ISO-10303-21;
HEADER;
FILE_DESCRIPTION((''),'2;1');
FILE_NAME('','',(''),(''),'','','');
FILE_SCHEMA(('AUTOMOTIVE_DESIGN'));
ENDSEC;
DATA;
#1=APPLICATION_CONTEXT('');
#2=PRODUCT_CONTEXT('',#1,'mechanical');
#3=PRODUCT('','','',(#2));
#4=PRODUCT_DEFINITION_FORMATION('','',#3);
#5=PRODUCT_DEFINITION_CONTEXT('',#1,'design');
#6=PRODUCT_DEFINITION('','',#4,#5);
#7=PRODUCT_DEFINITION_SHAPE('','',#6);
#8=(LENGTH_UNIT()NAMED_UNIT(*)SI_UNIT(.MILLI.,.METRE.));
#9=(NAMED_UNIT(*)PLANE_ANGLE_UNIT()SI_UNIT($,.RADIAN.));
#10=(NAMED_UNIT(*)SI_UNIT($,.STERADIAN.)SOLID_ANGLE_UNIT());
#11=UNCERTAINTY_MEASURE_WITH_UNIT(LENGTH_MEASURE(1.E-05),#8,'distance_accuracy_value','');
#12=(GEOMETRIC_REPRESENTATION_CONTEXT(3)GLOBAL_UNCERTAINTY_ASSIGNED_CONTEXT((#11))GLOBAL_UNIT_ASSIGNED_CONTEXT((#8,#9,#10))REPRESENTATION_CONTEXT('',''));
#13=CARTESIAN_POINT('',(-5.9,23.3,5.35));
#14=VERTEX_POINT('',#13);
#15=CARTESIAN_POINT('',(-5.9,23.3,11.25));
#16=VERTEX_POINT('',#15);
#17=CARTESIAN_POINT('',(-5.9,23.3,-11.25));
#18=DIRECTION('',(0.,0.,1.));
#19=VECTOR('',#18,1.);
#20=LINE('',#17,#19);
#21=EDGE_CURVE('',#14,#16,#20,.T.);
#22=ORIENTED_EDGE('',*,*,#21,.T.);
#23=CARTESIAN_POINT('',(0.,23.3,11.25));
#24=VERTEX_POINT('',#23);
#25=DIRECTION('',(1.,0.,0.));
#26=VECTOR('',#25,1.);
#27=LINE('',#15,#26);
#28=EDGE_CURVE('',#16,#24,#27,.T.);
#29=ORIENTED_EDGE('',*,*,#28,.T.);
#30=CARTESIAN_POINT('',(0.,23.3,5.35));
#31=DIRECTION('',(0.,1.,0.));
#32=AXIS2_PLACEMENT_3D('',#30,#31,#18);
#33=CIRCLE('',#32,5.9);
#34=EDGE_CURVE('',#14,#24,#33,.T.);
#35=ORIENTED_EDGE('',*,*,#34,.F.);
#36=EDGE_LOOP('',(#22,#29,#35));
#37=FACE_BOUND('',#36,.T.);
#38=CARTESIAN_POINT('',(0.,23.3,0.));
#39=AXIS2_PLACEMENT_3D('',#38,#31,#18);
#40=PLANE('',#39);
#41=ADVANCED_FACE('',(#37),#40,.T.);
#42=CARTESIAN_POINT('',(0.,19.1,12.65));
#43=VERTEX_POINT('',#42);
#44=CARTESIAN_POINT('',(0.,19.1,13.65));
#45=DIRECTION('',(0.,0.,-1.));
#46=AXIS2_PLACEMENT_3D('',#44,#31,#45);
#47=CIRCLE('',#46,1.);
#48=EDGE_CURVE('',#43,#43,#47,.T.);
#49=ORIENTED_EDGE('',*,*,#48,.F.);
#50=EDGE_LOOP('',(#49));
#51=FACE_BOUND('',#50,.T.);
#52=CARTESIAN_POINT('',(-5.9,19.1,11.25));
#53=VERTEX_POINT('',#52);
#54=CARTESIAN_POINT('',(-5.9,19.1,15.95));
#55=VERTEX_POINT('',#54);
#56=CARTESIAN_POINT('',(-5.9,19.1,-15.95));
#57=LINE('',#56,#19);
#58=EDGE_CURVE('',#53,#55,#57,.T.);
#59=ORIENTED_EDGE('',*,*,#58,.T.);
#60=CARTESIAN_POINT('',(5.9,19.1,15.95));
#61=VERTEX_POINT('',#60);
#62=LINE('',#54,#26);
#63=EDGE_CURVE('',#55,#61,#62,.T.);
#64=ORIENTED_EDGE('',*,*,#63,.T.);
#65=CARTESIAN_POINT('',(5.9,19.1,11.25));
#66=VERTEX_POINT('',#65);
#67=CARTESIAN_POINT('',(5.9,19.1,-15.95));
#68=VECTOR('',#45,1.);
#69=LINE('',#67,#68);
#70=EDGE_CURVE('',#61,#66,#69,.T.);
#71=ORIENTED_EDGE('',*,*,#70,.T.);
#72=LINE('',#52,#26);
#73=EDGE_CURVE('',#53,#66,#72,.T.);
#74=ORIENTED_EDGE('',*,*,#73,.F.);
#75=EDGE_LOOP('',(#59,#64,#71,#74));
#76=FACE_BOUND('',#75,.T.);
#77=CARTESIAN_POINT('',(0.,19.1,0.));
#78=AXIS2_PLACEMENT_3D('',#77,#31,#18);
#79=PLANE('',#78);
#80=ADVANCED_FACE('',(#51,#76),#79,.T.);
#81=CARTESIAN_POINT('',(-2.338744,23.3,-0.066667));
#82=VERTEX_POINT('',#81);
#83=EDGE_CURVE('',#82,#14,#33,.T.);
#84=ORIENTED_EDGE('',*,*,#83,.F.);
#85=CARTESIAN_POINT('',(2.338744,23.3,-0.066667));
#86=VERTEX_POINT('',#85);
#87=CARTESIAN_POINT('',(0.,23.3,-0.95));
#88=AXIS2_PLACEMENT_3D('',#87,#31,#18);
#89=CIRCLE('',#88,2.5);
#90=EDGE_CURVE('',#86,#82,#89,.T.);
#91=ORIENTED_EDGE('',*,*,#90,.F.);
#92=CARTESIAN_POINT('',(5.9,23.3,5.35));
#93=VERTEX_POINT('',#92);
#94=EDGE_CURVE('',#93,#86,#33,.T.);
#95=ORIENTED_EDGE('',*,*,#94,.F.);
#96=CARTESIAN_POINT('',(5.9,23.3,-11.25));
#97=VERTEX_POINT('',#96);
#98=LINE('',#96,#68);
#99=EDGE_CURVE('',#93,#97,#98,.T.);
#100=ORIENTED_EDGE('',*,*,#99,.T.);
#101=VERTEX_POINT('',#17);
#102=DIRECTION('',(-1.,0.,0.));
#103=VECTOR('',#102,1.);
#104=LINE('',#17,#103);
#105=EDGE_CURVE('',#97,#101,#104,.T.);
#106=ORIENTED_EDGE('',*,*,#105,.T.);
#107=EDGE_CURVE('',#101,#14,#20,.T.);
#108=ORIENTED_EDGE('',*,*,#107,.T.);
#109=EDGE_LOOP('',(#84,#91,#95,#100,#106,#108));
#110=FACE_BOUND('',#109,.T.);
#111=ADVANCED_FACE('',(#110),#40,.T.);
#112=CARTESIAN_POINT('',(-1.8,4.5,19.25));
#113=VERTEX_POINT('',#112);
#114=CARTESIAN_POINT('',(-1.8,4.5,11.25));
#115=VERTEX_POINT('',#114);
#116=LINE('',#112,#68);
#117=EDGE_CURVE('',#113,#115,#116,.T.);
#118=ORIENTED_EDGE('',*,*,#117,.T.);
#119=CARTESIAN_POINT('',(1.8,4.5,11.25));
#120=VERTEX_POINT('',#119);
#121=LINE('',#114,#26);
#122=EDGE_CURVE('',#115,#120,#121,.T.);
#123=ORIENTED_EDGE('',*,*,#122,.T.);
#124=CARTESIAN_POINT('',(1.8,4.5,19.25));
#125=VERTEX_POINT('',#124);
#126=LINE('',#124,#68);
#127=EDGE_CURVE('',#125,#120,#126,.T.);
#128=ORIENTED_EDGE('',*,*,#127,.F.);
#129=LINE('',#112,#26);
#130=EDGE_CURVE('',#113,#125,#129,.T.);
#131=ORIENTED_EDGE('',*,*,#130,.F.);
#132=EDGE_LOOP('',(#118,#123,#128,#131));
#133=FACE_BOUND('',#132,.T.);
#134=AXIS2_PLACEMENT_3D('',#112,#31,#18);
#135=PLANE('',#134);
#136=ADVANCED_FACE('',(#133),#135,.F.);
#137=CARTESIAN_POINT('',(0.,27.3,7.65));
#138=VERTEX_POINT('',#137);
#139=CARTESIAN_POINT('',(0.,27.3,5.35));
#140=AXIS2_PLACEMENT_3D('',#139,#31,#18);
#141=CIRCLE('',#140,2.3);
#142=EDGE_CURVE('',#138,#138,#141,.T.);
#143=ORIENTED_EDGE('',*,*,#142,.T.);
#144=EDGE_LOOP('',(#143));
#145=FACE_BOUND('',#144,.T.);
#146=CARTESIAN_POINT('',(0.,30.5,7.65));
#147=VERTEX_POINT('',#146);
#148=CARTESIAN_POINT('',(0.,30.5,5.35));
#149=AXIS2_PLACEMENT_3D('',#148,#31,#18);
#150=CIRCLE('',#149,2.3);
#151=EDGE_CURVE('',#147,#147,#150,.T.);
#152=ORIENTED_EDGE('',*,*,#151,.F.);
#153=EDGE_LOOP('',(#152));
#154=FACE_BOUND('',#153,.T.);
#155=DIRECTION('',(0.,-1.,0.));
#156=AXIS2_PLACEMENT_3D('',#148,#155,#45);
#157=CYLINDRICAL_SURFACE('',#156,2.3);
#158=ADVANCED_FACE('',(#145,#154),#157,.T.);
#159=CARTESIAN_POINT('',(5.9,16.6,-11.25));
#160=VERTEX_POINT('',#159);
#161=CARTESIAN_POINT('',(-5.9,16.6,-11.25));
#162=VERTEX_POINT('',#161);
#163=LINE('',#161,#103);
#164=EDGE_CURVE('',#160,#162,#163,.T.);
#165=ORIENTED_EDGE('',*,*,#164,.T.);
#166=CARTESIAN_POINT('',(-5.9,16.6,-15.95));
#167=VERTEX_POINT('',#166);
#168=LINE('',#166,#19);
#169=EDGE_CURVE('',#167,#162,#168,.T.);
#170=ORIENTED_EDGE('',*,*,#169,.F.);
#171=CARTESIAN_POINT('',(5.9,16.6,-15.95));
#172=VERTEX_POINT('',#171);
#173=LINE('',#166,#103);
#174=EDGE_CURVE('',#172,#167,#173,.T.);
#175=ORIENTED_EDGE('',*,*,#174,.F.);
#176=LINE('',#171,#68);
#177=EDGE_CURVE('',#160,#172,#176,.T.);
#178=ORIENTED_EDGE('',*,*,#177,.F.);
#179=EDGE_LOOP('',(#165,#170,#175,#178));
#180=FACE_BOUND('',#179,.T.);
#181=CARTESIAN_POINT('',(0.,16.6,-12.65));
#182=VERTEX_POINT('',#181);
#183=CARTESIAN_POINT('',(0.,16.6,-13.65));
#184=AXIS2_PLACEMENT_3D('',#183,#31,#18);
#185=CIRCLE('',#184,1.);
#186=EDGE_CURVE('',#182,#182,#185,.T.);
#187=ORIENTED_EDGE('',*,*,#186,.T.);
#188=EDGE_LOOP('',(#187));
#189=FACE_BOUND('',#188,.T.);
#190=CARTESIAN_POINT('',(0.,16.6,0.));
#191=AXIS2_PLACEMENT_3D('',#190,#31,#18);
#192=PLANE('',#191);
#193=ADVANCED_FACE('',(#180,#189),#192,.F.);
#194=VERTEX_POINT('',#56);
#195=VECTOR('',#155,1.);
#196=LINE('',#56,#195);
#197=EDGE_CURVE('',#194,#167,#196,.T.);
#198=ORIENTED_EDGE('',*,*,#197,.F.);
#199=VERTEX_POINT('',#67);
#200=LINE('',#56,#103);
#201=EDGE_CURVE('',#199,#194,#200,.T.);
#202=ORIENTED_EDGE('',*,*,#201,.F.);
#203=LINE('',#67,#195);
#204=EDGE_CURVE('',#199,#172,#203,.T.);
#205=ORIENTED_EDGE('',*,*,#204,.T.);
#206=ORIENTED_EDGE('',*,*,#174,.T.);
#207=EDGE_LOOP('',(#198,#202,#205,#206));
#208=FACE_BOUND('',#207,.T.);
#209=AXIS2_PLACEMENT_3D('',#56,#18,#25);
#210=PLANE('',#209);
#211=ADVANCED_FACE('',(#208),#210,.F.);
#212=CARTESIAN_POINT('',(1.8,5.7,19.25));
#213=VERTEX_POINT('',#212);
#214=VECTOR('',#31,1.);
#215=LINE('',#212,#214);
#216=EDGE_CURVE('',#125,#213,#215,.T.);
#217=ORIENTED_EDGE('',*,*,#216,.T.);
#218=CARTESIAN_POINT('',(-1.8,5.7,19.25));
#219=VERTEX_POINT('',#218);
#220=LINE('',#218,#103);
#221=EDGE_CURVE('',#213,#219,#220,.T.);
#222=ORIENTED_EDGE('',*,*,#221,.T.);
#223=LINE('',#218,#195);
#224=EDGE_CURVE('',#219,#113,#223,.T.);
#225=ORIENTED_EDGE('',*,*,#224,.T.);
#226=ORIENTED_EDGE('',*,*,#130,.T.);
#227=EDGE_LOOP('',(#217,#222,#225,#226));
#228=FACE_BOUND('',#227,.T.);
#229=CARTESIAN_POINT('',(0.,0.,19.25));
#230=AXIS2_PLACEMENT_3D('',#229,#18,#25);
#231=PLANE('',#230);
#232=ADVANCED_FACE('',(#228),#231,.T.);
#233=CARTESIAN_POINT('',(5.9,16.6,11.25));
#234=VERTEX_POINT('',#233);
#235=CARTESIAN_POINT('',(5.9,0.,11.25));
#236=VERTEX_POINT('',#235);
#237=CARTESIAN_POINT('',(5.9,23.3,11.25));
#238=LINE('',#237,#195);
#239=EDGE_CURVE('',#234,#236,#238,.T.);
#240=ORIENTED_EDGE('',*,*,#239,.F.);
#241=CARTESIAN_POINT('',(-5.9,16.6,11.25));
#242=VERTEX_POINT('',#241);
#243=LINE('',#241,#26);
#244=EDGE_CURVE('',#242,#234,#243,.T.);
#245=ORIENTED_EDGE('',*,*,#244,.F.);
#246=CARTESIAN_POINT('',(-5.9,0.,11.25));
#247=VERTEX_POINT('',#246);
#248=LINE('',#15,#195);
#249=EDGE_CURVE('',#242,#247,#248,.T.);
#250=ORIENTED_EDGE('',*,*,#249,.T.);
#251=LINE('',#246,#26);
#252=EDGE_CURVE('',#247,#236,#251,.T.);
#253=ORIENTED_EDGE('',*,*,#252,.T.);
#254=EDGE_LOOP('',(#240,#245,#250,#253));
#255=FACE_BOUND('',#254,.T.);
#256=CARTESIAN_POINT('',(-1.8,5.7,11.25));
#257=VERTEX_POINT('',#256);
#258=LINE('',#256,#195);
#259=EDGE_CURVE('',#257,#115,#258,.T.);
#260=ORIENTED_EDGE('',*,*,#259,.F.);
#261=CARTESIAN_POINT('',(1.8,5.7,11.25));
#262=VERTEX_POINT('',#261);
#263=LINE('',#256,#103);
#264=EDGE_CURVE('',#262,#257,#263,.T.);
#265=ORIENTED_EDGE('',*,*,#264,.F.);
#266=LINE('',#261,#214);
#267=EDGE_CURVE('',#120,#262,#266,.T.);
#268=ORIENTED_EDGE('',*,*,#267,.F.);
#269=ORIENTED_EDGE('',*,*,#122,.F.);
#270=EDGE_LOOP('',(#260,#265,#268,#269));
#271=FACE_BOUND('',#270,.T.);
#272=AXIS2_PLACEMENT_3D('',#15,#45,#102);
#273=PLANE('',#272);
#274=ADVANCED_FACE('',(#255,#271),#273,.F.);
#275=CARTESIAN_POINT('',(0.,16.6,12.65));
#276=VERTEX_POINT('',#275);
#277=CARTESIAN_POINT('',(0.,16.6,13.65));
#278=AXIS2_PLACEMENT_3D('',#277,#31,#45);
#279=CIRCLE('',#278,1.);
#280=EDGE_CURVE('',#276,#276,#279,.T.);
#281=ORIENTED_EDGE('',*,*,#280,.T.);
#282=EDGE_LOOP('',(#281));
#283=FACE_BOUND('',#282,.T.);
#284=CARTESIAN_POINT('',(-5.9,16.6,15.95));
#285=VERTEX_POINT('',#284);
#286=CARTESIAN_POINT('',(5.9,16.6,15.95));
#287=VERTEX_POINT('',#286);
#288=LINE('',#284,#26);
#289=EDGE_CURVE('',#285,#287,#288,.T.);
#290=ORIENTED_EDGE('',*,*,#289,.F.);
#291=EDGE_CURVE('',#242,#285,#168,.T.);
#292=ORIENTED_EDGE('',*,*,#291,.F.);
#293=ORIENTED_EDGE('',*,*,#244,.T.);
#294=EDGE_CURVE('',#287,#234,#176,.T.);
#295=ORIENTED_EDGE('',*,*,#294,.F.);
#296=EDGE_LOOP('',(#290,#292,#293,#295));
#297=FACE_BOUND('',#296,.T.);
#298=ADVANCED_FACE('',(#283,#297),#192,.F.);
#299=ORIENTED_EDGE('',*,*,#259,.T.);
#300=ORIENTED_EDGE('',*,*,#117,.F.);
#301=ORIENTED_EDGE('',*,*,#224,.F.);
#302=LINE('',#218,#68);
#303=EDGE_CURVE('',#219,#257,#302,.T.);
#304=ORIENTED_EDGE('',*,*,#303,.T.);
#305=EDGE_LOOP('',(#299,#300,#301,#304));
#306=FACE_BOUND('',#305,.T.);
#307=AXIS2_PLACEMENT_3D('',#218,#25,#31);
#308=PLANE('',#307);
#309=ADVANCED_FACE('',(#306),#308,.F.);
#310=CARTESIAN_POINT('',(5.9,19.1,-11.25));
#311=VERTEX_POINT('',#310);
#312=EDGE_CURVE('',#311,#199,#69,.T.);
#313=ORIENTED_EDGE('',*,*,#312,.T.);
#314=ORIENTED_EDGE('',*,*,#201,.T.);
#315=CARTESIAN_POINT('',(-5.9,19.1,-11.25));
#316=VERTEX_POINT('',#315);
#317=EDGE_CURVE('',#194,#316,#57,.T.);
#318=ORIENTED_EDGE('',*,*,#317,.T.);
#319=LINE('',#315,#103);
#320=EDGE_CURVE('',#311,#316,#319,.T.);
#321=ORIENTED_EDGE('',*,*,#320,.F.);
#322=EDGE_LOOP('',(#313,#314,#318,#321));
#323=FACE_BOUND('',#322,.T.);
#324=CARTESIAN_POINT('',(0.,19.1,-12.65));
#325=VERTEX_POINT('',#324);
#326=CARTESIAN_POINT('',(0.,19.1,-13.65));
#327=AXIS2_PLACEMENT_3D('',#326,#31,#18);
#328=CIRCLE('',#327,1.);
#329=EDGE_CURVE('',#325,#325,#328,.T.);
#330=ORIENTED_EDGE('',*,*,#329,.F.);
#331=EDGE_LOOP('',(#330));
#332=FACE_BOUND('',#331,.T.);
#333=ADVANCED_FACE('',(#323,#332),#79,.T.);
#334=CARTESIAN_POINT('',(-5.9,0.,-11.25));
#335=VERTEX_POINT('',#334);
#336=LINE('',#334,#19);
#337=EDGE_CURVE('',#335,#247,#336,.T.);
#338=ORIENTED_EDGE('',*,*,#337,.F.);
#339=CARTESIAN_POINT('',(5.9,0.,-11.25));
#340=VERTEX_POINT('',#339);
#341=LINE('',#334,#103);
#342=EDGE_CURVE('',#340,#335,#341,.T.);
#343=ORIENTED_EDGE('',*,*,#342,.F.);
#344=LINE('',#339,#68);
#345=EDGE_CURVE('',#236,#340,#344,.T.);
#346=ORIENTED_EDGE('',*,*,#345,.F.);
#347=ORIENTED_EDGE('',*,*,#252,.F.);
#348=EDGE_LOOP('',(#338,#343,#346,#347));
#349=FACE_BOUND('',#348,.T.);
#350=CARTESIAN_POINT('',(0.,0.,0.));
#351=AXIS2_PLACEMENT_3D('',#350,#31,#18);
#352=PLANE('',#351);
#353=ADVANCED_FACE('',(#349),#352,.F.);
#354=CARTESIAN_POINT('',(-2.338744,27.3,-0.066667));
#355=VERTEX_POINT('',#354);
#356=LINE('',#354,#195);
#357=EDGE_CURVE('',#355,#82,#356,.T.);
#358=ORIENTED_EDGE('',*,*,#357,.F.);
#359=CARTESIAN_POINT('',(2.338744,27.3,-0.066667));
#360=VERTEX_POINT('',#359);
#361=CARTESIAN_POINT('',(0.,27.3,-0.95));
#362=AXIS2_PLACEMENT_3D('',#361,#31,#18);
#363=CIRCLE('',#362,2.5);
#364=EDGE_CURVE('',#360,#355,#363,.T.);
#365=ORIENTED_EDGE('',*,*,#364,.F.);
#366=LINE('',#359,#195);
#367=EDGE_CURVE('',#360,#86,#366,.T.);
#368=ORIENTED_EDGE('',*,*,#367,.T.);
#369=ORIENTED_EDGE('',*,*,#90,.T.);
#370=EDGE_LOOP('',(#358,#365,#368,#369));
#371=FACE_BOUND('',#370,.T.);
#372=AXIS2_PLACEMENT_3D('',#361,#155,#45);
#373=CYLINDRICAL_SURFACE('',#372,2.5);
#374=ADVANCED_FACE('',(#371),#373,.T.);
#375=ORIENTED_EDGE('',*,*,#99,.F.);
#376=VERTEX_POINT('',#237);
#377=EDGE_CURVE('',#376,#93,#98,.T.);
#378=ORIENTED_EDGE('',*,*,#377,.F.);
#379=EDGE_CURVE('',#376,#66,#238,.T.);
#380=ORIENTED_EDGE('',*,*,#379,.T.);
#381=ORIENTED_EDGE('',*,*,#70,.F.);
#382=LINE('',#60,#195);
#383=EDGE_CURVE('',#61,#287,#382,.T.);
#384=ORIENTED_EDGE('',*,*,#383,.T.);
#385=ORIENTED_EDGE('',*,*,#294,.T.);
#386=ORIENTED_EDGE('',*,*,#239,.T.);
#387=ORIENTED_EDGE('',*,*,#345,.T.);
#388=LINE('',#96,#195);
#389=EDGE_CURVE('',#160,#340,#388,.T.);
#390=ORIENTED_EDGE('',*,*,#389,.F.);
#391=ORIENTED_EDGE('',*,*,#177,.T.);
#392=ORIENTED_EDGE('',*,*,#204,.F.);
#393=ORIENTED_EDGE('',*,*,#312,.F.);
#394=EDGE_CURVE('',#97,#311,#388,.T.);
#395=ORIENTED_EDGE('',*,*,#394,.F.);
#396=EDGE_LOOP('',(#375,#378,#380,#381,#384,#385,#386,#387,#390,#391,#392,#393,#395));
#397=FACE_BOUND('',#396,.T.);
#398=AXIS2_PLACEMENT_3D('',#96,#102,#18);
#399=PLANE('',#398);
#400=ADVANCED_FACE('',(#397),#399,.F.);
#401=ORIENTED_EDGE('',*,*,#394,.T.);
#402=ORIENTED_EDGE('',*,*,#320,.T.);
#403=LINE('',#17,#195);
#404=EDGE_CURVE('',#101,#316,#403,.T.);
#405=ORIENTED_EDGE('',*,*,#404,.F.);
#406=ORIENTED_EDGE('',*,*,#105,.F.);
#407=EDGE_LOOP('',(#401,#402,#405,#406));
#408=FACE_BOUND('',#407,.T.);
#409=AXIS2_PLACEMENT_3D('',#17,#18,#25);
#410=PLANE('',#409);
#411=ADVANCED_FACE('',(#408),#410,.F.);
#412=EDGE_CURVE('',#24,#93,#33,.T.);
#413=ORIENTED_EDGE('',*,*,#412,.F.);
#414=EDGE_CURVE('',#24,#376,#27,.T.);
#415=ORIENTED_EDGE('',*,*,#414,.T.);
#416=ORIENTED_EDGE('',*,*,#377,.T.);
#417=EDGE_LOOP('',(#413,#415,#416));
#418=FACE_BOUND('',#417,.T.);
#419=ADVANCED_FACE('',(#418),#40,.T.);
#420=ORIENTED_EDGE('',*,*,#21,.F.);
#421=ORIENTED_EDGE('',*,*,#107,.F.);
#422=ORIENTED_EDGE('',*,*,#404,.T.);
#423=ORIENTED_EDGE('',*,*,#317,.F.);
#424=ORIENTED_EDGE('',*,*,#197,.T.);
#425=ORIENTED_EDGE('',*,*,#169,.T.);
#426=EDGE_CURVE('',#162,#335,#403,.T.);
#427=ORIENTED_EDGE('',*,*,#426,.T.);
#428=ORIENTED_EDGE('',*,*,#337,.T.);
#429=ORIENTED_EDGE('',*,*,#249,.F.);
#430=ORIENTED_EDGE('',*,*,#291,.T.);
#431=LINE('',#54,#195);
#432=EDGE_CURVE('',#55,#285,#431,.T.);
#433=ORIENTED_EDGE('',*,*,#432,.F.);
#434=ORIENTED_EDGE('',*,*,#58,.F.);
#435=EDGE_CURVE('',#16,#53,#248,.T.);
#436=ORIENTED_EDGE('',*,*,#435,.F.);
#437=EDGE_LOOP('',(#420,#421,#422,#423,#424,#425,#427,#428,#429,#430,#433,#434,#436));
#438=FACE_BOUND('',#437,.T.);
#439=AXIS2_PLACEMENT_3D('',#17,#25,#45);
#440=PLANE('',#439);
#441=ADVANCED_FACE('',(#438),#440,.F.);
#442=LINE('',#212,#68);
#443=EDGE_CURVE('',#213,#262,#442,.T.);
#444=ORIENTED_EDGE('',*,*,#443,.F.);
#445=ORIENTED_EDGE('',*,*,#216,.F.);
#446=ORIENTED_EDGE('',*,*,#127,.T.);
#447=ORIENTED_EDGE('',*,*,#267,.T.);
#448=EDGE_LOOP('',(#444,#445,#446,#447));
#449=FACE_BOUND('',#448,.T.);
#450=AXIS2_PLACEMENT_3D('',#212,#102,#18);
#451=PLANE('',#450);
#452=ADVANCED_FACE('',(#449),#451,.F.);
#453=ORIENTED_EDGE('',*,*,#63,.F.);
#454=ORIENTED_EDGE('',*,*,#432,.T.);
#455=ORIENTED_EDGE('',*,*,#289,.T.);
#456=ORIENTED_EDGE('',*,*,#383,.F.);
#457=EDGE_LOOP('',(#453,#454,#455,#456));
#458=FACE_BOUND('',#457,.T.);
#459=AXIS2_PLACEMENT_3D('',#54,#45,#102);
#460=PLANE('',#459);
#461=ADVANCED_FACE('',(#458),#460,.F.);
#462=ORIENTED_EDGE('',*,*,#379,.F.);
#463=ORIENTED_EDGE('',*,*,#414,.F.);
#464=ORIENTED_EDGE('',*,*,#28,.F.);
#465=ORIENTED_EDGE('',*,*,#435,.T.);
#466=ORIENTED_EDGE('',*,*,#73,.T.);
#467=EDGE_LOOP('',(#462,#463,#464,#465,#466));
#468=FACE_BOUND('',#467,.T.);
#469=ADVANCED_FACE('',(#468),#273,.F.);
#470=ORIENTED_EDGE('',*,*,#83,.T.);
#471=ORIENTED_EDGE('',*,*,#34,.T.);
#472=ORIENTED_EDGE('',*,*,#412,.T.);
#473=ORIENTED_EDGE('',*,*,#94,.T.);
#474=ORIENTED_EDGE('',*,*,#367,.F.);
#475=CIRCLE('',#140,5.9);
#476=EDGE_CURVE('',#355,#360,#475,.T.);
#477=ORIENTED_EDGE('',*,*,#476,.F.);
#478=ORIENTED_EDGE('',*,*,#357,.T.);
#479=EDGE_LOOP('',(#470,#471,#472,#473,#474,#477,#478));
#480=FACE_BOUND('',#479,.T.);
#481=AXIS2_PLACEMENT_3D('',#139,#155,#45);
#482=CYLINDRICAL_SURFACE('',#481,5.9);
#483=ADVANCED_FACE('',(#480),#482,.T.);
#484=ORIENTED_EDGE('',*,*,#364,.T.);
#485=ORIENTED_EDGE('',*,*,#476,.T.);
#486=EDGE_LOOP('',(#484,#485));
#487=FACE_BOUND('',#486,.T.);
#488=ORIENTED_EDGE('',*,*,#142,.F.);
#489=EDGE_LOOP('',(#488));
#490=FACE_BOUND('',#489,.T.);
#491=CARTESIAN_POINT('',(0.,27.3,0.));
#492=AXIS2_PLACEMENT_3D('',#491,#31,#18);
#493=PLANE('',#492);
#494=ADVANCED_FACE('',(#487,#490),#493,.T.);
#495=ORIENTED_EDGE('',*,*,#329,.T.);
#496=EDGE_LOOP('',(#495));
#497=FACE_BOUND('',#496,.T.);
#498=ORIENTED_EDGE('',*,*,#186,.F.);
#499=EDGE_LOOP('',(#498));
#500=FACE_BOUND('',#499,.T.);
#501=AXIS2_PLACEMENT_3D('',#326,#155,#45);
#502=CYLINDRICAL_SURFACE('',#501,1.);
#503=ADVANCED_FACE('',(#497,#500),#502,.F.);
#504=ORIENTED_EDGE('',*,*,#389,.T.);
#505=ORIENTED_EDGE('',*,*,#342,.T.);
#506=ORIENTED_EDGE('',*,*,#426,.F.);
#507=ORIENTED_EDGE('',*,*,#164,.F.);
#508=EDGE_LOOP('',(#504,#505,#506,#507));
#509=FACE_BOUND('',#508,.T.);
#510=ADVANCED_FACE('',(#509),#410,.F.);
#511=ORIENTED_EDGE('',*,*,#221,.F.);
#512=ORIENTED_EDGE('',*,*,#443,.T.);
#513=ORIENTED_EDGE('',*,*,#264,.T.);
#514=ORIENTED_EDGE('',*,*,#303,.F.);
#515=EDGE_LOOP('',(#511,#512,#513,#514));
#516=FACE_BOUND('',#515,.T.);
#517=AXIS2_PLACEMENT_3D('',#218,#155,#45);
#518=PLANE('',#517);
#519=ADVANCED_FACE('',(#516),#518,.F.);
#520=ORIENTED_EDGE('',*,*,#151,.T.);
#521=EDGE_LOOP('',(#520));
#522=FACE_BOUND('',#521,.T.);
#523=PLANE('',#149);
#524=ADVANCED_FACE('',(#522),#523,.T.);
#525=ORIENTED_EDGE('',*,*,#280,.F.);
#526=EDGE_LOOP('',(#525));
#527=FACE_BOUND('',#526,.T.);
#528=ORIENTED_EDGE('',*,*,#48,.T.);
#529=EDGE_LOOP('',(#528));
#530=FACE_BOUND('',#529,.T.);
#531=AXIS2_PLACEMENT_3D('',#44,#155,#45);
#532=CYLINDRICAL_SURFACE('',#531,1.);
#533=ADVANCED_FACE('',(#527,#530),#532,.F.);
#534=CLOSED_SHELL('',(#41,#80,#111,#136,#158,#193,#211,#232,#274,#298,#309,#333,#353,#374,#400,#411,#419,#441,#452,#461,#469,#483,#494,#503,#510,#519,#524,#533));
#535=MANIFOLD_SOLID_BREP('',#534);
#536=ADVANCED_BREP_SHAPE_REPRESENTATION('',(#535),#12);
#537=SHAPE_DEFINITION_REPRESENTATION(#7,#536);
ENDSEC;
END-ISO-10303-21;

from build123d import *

# Parameters (mm, degrees)
SKETCH1_W           = 11.8
SKETCH1_H           = 22.5
BOSS_EXTRUDE1_DEPTH = 23.3
SKETCH2_W           = 11.8
SKETCH2_H           = 31.9
SKETCH2_R           = 1
BOSS_EXTRUDE2_DEPTH = 2.5
BOSS_EXTRUDE3_DEPTH = 4
SKETCH4_R           = 2.3
BOSS_EXTRUDE4_DEPTH = 3.2
SKETCH5_W           = 3.6
SKETCH5_H           = 1.2
BOSS_EXTRUDE5_DEPTH = 8


with BuildPart() as part:
    # Sketch1 → Boss-Extrude1 (new body)
    with BuildSketch(Plane(origin=(0, 0, 0), x_dir=(1, 0, 0), z_dir=(0, 1, 0))):
        Rectangle(SKETCH1_W, SKETCH1_H)
    extrude(amount=BOSS_EXTRUDE1_DEPTH)

    # Sketch2 → Boss-Extrude2 (add)
    with BuildSketch(Plane(origin=(0, 16.6, 0), x_dir=(1, 0, 0), z_dir=(0, 1, 0))):
        Rectangle(SKETCH2_W, SKETCH2_H)
        with Locations((0, 13.65)):
            Circle(SKETCH2_R, mode=Mode.SUBTRACT)
        with Locations((0, -13.65)):
            Circle(SKETCH2_R, mode=Mode.SUBTRACT)
    extrude(amount=BOSS_EXTRUDE2_DEPTH)

    # Sketch3 → Boss-Extrude3 (add)
    with BuildSketch(Plane(origin=(0, 23.3, 0), x_dir=(1, 0, 0), z_dir=(0, 1, 0))):
        with BuildLine():
            ThreePointArc((-2.338743727, 0.066666667), (0, -11.25), (2.338743727, 0.066666667))
            ThreePointArc((2.338743727, 0.066666667), (0, 3.45), (-2.338743727, 0.066666667))
        make_face()
    extrude(amount=BOSS_EXTRUDE3_DEPTH)

    # Sketch4 → Boss-Extrude4 (add)
    with BuildSketch(Plane(origin=(0, 27.3, 0), x_dir=(1, 0, 0), z_dir=(0, 1, 0))):
        with Locations((0, -5.35)):
            Circle(SKETCH4_R)
    extrude(amount=BOSS_EXTRUDE4_DEPTH)

    # Sketch5 → Boss-Extrude5 (add)
    with BuildSketch(Plane.XY.offset(11.25)):
        with Locations((0, 5.1)):
            Rectangle(SKETCH5_W, SKETCH5_H)
    extrude(amount=BOSS_EXTRUDE5_DEPTH)


solid = part.part
